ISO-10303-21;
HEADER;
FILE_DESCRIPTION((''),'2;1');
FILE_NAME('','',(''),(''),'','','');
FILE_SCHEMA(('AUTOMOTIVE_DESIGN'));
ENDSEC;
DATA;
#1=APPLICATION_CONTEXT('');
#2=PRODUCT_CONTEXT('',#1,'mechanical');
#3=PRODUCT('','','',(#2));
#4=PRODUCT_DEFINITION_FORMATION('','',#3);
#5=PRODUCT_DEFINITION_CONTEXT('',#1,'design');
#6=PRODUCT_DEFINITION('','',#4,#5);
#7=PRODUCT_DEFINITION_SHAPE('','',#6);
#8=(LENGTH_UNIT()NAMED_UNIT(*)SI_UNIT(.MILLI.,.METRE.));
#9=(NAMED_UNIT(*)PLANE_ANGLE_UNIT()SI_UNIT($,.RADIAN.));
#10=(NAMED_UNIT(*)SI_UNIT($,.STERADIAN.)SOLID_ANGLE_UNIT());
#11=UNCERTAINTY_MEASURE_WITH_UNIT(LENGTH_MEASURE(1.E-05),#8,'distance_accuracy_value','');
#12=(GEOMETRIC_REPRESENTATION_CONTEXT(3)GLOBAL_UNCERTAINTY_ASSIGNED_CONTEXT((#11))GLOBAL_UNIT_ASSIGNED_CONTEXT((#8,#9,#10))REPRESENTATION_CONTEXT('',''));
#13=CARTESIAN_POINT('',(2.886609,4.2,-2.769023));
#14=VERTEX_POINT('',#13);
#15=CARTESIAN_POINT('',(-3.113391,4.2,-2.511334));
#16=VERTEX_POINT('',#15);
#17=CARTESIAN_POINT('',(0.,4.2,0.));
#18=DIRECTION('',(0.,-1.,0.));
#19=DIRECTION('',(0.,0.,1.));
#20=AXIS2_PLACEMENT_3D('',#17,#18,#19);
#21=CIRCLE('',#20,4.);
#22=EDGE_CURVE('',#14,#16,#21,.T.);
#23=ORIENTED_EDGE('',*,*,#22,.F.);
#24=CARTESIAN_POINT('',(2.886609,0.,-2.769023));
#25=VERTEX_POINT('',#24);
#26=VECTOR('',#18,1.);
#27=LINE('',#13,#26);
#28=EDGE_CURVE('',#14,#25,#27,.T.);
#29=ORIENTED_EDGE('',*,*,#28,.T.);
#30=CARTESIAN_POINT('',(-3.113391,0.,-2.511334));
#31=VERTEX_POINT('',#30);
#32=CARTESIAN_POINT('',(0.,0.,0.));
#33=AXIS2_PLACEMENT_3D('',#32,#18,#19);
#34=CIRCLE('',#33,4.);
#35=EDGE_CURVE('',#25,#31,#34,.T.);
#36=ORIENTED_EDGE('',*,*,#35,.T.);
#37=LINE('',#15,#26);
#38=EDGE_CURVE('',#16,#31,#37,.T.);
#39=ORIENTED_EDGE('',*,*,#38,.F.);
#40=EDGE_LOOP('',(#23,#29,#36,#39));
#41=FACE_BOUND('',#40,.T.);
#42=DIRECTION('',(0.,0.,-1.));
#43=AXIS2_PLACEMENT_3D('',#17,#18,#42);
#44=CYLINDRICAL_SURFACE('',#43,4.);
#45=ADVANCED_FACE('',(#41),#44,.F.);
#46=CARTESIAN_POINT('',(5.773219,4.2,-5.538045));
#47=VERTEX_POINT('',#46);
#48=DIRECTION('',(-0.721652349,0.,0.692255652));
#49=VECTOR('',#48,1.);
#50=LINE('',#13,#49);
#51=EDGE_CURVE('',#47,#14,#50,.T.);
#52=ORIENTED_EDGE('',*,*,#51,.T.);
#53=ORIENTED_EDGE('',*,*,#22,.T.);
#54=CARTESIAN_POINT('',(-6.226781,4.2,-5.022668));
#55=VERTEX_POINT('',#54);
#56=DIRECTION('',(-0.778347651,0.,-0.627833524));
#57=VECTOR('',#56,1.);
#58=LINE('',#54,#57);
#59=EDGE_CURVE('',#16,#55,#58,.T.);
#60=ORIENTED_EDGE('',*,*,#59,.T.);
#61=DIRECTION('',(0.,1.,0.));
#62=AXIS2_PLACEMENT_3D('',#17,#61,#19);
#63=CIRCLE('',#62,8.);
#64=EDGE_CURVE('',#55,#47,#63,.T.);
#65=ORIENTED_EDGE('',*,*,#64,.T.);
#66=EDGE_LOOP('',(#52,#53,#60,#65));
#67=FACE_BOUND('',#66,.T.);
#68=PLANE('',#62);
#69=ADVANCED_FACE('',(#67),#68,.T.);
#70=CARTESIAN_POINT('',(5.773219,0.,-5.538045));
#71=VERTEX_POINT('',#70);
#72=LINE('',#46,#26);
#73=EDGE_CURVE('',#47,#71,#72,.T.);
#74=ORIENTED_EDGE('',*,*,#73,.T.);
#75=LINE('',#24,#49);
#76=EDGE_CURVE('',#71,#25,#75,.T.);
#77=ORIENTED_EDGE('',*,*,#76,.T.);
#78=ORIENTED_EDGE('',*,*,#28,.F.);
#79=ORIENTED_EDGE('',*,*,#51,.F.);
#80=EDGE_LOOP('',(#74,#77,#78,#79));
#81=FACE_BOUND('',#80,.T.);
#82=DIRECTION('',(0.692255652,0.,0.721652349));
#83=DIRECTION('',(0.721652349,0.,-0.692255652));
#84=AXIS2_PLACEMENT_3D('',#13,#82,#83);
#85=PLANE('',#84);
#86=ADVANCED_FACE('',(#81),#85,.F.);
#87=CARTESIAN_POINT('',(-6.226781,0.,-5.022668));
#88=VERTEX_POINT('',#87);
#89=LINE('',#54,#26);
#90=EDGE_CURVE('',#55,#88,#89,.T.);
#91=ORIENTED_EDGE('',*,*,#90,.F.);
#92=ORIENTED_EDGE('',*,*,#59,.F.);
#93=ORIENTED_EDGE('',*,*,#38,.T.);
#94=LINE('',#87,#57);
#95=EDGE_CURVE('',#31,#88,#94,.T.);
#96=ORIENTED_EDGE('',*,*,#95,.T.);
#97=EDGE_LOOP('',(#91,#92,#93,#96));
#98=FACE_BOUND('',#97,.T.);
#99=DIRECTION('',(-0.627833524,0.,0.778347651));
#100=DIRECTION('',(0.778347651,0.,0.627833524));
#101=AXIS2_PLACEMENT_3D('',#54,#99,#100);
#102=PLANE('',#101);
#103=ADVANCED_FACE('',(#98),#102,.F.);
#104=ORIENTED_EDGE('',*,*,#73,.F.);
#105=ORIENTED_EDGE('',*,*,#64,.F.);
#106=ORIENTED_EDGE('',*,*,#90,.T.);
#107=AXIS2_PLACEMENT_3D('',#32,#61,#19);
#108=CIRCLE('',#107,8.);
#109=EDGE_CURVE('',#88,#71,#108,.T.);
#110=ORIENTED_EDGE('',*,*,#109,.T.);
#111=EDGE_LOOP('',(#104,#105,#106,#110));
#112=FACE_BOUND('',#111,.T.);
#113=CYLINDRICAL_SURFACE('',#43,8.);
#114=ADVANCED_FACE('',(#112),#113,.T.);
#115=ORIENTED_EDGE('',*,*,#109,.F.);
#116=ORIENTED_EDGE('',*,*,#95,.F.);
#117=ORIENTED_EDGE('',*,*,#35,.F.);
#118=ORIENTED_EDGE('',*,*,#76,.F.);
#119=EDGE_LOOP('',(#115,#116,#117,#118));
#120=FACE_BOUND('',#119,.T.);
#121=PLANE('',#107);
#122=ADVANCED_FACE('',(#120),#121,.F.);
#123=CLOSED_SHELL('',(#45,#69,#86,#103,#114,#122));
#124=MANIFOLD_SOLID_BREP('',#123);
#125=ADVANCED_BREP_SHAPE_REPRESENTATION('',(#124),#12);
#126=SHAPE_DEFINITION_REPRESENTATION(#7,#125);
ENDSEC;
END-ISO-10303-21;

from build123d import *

# Parameters (mm, degrees)
BOSS_EXTRU_1_DEPTH = 4.2


with BuildPart() as part:
    # Esquisse1 → Boss.-Extru.1 (new body)
    with BuildSketch(Plane(origin=(0, 0, 0), x_dir=(1, 0, 0), z_dir=(0, 1, 0))):
        with BuildLine():
            Line((-6.22678121, 5.022668192), (-3.113390605, 2.511334096))
            ThreePointArc((-3.113390605, 2.511334096), (0.171634121, -3.99631602), (2.886609395, 2.769022607))
            Line((2.886609395, 2.769022607), (5.77321879, 5.538045214))
            ThreePointArc((5.77321879, 5.538045214), (0.343268242, -7.992632039), (-6.22678121, 5.022668192))
        make_face()
    extrude(amount=BOSS_EXTRU_1_DEPTH)


solid = part.part
